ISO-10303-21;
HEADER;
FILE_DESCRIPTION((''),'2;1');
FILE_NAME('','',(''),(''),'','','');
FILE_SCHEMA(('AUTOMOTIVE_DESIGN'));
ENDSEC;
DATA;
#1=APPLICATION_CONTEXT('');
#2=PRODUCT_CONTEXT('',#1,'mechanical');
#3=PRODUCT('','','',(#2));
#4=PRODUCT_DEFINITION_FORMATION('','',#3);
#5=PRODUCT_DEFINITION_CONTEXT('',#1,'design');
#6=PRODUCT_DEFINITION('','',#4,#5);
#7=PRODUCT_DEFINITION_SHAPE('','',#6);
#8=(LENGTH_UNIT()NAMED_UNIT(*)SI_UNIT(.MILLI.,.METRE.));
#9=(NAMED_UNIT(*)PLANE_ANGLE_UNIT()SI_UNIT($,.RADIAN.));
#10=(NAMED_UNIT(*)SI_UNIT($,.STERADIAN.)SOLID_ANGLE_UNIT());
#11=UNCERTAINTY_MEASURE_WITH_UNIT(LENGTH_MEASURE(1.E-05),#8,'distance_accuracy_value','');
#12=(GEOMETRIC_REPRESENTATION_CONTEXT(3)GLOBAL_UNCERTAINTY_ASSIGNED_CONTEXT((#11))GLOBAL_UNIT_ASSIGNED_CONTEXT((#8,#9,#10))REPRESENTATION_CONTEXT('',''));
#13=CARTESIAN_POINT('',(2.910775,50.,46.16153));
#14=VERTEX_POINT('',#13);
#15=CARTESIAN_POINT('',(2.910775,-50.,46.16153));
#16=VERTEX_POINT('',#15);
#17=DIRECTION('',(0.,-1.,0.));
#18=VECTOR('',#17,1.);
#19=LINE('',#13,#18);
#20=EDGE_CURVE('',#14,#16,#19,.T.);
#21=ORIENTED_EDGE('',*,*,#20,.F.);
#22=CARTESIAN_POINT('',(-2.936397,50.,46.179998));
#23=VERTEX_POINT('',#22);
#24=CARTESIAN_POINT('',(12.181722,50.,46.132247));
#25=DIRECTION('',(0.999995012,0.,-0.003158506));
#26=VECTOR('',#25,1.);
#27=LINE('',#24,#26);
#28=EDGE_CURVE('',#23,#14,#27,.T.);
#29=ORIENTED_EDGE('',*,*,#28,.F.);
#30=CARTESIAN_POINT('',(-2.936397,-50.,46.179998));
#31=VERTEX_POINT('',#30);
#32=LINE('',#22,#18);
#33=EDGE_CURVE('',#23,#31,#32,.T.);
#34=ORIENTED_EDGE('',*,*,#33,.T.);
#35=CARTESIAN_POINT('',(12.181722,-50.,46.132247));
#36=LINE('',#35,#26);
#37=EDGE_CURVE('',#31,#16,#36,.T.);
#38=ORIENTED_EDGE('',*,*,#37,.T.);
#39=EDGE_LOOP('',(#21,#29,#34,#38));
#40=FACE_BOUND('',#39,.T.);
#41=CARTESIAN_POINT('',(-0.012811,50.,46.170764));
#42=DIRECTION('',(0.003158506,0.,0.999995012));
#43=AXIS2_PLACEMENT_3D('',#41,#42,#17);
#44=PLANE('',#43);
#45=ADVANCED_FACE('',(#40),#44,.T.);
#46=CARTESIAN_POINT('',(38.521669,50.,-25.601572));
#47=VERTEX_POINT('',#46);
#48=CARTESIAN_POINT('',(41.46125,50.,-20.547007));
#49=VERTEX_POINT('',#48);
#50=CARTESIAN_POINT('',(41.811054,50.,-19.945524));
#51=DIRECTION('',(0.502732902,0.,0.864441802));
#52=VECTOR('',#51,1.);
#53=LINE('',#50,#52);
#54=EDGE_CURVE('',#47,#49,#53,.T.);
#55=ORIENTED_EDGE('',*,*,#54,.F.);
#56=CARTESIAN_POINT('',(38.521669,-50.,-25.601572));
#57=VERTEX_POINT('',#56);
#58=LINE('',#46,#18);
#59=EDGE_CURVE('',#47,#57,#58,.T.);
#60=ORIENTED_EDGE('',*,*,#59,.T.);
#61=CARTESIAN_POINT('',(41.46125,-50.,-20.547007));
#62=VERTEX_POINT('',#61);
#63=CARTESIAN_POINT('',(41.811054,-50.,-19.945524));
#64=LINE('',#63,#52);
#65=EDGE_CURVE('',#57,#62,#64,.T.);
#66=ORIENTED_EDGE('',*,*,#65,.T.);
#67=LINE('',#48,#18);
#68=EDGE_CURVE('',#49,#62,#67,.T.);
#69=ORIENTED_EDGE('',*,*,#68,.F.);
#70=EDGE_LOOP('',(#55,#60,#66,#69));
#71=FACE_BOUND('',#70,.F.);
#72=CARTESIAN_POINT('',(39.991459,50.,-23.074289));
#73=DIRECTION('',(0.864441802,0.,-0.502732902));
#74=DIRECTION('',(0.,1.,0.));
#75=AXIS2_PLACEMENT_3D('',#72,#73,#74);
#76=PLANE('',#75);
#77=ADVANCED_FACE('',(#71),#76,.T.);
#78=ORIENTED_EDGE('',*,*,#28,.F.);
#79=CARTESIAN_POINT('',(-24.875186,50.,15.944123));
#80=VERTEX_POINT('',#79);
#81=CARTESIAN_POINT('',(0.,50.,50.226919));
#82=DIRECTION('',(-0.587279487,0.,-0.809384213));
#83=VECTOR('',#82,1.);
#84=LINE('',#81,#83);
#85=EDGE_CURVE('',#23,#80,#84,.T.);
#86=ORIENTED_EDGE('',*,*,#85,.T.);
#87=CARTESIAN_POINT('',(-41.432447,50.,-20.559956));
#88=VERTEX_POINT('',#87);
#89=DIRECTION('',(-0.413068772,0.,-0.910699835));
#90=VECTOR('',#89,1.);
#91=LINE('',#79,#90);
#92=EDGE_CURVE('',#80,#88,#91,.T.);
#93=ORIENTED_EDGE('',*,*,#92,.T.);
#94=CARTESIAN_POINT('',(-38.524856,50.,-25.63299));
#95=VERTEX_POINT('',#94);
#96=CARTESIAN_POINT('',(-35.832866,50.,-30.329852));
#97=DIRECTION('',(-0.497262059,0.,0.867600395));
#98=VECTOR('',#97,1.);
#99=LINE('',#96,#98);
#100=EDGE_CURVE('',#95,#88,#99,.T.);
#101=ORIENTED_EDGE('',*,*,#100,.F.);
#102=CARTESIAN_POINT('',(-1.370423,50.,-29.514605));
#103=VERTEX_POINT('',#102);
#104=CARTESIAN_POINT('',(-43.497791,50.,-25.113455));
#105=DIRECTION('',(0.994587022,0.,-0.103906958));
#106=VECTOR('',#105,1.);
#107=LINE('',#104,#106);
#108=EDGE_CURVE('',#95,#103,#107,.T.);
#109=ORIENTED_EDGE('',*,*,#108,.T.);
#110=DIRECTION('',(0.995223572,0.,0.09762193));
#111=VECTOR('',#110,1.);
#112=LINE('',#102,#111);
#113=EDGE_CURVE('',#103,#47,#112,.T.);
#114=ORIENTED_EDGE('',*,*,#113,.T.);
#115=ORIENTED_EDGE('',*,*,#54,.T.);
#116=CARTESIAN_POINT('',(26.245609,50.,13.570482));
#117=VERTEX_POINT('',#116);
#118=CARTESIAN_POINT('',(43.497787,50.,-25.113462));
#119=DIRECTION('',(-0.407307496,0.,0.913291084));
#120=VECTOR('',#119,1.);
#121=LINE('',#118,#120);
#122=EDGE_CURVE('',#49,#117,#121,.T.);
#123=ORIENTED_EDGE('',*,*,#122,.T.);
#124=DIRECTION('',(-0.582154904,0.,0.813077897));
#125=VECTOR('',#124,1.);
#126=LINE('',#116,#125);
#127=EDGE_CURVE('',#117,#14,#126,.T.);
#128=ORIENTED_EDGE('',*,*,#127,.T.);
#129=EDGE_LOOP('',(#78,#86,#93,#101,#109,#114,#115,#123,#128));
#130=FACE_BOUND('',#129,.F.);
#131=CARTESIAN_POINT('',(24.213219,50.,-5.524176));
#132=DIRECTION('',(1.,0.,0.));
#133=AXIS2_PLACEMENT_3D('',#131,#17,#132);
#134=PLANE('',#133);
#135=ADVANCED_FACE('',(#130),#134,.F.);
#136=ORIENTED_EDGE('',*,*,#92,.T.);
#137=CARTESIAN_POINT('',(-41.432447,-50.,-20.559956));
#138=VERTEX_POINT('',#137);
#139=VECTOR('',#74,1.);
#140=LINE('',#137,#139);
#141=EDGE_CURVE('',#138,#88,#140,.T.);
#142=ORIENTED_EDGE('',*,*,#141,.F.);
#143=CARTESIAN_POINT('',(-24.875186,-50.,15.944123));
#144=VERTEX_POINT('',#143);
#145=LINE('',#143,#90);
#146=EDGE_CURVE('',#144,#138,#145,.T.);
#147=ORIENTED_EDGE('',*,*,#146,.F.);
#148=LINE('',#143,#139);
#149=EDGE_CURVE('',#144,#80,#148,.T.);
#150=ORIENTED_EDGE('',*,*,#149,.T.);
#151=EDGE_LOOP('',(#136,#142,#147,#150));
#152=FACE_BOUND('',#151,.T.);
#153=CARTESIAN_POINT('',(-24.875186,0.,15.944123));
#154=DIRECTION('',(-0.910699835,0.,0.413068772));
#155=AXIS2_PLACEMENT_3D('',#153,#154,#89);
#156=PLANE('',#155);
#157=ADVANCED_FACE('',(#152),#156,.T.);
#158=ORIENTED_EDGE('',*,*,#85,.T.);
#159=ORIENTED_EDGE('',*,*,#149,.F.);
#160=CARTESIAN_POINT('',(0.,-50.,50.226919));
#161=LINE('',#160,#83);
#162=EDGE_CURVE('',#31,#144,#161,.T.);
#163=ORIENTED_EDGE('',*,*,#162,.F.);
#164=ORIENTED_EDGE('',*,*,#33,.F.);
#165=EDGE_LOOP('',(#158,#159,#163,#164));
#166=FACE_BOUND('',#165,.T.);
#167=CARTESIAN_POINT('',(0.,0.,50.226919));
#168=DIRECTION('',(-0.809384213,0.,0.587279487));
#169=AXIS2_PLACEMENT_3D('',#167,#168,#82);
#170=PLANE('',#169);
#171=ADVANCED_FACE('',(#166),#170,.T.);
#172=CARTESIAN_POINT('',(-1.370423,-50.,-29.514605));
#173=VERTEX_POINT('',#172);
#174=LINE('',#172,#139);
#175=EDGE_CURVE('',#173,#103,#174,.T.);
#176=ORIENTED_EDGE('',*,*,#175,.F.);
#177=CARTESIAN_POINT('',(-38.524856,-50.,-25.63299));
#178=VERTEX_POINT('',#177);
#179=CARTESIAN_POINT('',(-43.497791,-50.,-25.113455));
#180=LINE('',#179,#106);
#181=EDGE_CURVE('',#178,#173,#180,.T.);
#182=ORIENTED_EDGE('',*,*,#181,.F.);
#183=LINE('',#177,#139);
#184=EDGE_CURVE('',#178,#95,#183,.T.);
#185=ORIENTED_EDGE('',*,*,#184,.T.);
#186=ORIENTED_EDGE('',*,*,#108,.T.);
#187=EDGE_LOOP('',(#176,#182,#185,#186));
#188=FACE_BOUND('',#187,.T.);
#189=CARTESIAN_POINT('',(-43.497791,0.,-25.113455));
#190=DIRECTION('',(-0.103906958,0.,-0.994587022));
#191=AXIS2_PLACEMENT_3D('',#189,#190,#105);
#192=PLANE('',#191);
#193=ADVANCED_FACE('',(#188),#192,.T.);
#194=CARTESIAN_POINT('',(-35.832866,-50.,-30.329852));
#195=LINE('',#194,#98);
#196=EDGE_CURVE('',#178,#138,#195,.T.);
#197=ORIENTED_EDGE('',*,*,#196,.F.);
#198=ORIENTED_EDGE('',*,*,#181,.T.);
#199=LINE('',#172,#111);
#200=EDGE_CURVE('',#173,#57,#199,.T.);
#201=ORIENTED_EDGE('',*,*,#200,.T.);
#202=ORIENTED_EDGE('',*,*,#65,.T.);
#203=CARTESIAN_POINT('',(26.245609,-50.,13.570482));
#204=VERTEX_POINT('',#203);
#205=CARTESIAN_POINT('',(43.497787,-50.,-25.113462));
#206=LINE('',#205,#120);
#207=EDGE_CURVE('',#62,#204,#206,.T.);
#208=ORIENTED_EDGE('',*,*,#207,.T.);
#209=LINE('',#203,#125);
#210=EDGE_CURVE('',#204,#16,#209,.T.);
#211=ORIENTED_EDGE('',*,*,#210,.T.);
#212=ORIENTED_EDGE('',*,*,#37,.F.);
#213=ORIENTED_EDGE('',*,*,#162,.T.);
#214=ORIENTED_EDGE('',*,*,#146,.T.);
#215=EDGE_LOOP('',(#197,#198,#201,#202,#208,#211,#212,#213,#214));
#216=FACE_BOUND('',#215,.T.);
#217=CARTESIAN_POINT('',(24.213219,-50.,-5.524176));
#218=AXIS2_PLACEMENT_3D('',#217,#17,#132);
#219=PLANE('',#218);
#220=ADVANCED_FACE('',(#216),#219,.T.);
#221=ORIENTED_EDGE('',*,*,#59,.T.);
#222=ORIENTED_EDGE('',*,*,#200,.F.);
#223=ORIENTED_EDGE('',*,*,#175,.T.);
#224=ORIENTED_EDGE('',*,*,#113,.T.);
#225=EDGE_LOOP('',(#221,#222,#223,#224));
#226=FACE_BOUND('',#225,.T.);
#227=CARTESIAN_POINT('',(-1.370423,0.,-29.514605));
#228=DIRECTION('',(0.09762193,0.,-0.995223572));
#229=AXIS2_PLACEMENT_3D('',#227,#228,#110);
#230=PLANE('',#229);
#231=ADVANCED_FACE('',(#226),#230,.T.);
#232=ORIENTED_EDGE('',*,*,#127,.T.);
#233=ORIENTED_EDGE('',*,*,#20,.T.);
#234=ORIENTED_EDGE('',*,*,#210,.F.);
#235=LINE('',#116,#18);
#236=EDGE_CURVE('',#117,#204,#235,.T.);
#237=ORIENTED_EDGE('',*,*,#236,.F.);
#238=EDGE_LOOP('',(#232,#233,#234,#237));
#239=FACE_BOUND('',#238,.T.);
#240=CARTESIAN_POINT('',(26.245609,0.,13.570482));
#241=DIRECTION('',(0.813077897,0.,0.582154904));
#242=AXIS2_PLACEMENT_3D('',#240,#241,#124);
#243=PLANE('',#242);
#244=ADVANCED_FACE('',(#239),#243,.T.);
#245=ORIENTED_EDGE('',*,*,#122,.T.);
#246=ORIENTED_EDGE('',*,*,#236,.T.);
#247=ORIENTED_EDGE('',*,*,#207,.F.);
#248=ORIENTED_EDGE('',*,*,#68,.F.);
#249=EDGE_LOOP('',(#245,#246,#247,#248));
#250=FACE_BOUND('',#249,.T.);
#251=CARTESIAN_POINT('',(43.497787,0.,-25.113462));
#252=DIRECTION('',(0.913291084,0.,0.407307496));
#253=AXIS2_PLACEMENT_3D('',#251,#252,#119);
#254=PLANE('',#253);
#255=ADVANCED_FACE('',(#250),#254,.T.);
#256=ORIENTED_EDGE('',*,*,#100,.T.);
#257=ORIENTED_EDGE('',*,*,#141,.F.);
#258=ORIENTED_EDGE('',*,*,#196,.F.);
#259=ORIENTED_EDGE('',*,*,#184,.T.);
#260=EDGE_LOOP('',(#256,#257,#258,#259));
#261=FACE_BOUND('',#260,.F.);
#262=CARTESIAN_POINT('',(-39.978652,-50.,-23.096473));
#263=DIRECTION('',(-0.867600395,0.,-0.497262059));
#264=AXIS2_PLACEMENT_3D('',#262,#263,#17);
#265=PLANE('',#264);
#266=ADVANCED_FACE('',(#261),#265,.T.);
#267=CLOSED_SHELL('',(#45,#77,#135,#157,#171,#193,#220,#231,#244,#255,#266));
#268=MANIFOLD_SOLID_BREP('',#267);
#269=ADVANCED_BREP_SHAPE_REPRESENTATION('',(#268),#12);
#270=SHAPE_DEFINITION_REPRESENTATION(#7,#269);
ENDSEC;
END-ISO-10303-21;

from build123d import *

# Parameters (mm, degrees)
F1_DEPTH = 50
F2_SIZE  = 5


with BuildPart() as f1:
    # F0 (on Front) → F1 (new body, symmetric)
    with BuildSketch(Plane.XZ):
        Polygon((26.245609, 13.570482), (0, 0), (43.497787, -25.113462), align=None)
        Polygon((43.497787, -25.113462), (0, 0), (-1.370423, -29.514605), align=None)
        Polygon((0, 50.226919), (0, 0), (26.245609, 13.570482), align=None)
        Polygon((-24.875186, 15.944123), (0, 0), (0, 50.226919), align=None)
        Polygon((-43.497791, -25.113455), (0, 0), (-24.875186, 15.944123), align=None)
        Polygon((-1.370423, -29.514605), (0, 0), (-43.497791, -25.113455), align=None)
    extrude(amount=F1_DEPTH, both=True)

    # F2
    f2_edges = [f1.edges().sort_by_distance(p)[0] for p in [
        (-43.497791, 0, -25.113455),
        (43.497787, 0, -25.113462),
        (0, 0, 50.226919),
    ]]
    chamfer(f2_edges, length=F2_SIZE)


solid = f1.part
